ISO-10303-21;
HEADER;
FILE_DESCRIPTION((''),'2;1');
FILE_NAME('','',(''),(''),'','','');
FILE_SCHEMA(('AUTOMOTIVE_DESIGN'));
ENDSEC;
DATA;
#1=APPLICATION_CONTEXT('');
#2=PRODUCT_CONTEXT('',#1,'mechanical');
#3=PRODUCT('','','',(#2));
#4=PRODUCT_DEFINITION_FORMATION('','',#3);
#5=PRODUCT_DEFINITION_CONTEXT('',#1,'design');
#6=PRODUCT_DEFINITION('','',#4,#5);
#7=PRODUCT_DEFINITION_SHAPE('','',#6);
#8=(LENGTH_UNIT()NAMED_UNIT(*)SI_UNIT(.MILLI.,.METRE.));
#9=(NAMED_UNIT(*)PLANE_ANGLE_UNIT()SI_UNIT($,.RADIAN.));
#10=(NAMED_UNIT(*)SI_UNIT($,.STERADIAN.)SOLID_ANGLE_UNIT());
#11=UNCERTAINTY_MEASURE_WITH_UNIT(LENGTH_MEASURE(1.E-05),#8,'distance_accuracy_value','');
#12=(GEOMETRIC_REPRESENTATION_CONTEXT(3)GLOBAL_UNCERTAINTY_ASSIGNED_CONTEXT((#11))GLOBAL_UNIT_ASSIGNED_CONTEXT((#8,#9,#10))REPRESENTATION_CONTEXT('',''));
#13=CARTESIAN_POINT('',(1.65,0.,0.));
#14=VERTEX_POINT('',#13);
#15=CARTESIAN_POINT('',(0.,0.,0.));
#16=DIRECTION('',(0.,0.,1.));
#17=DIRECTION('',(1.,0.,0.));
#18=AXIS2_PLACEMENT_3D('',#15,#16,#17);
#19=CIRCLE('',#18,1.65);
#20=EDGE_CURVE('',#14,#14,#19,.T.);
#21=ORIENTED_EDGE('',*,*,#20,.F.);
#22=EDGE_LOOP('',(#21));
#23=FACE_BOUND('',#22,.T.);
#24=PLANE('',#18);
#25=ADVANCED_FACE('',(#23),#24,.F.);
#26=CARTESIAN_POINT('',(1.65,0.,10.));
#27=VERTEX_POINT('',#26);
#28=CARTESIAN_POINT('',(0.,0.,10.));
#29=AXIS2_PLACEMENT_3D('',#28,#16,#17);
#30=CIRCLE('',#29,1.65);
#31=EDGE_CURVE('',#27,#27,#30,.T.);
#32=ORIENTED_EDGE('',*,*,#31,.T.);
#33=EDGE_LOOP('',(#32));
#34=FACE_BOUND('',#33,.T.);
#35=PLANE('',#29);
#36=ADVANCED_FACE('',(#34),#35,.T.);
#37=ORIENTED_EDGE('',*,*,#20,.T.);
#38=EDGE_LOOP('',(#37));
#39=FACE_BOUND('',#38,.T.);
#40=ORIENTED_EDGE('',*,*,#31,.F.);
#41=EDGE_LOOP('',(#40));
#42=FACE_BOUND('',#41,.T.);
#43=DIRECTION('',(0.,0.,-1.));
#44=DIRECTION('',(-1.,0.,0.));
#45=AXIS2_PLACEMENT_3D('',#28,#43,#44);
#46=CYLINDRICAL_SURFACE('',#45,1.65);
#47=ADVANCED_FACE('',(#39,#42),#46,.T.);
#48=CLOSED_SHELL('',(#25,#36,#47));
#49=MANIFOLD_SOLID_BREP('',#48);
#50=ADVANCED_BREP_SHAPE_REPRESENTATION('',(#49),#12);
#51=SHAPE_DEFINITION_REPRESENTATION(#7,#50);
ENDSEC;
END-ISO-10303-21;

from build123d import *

# Parameters (mm, degrees)
SKICA1_R                = 1.65
P_IDAT_VYSUNUT_M1_DEPTH = 10


with BuildPart() as part:
    # Skica1 → Přidat vysunutím1 (new body)
    with BuildSketch(Plane.XY):
        Circle(SKICA1_R)
    extrude(amount=P_IDAT_VYSUNUT_M1_DEPTH)


solid = part.part
